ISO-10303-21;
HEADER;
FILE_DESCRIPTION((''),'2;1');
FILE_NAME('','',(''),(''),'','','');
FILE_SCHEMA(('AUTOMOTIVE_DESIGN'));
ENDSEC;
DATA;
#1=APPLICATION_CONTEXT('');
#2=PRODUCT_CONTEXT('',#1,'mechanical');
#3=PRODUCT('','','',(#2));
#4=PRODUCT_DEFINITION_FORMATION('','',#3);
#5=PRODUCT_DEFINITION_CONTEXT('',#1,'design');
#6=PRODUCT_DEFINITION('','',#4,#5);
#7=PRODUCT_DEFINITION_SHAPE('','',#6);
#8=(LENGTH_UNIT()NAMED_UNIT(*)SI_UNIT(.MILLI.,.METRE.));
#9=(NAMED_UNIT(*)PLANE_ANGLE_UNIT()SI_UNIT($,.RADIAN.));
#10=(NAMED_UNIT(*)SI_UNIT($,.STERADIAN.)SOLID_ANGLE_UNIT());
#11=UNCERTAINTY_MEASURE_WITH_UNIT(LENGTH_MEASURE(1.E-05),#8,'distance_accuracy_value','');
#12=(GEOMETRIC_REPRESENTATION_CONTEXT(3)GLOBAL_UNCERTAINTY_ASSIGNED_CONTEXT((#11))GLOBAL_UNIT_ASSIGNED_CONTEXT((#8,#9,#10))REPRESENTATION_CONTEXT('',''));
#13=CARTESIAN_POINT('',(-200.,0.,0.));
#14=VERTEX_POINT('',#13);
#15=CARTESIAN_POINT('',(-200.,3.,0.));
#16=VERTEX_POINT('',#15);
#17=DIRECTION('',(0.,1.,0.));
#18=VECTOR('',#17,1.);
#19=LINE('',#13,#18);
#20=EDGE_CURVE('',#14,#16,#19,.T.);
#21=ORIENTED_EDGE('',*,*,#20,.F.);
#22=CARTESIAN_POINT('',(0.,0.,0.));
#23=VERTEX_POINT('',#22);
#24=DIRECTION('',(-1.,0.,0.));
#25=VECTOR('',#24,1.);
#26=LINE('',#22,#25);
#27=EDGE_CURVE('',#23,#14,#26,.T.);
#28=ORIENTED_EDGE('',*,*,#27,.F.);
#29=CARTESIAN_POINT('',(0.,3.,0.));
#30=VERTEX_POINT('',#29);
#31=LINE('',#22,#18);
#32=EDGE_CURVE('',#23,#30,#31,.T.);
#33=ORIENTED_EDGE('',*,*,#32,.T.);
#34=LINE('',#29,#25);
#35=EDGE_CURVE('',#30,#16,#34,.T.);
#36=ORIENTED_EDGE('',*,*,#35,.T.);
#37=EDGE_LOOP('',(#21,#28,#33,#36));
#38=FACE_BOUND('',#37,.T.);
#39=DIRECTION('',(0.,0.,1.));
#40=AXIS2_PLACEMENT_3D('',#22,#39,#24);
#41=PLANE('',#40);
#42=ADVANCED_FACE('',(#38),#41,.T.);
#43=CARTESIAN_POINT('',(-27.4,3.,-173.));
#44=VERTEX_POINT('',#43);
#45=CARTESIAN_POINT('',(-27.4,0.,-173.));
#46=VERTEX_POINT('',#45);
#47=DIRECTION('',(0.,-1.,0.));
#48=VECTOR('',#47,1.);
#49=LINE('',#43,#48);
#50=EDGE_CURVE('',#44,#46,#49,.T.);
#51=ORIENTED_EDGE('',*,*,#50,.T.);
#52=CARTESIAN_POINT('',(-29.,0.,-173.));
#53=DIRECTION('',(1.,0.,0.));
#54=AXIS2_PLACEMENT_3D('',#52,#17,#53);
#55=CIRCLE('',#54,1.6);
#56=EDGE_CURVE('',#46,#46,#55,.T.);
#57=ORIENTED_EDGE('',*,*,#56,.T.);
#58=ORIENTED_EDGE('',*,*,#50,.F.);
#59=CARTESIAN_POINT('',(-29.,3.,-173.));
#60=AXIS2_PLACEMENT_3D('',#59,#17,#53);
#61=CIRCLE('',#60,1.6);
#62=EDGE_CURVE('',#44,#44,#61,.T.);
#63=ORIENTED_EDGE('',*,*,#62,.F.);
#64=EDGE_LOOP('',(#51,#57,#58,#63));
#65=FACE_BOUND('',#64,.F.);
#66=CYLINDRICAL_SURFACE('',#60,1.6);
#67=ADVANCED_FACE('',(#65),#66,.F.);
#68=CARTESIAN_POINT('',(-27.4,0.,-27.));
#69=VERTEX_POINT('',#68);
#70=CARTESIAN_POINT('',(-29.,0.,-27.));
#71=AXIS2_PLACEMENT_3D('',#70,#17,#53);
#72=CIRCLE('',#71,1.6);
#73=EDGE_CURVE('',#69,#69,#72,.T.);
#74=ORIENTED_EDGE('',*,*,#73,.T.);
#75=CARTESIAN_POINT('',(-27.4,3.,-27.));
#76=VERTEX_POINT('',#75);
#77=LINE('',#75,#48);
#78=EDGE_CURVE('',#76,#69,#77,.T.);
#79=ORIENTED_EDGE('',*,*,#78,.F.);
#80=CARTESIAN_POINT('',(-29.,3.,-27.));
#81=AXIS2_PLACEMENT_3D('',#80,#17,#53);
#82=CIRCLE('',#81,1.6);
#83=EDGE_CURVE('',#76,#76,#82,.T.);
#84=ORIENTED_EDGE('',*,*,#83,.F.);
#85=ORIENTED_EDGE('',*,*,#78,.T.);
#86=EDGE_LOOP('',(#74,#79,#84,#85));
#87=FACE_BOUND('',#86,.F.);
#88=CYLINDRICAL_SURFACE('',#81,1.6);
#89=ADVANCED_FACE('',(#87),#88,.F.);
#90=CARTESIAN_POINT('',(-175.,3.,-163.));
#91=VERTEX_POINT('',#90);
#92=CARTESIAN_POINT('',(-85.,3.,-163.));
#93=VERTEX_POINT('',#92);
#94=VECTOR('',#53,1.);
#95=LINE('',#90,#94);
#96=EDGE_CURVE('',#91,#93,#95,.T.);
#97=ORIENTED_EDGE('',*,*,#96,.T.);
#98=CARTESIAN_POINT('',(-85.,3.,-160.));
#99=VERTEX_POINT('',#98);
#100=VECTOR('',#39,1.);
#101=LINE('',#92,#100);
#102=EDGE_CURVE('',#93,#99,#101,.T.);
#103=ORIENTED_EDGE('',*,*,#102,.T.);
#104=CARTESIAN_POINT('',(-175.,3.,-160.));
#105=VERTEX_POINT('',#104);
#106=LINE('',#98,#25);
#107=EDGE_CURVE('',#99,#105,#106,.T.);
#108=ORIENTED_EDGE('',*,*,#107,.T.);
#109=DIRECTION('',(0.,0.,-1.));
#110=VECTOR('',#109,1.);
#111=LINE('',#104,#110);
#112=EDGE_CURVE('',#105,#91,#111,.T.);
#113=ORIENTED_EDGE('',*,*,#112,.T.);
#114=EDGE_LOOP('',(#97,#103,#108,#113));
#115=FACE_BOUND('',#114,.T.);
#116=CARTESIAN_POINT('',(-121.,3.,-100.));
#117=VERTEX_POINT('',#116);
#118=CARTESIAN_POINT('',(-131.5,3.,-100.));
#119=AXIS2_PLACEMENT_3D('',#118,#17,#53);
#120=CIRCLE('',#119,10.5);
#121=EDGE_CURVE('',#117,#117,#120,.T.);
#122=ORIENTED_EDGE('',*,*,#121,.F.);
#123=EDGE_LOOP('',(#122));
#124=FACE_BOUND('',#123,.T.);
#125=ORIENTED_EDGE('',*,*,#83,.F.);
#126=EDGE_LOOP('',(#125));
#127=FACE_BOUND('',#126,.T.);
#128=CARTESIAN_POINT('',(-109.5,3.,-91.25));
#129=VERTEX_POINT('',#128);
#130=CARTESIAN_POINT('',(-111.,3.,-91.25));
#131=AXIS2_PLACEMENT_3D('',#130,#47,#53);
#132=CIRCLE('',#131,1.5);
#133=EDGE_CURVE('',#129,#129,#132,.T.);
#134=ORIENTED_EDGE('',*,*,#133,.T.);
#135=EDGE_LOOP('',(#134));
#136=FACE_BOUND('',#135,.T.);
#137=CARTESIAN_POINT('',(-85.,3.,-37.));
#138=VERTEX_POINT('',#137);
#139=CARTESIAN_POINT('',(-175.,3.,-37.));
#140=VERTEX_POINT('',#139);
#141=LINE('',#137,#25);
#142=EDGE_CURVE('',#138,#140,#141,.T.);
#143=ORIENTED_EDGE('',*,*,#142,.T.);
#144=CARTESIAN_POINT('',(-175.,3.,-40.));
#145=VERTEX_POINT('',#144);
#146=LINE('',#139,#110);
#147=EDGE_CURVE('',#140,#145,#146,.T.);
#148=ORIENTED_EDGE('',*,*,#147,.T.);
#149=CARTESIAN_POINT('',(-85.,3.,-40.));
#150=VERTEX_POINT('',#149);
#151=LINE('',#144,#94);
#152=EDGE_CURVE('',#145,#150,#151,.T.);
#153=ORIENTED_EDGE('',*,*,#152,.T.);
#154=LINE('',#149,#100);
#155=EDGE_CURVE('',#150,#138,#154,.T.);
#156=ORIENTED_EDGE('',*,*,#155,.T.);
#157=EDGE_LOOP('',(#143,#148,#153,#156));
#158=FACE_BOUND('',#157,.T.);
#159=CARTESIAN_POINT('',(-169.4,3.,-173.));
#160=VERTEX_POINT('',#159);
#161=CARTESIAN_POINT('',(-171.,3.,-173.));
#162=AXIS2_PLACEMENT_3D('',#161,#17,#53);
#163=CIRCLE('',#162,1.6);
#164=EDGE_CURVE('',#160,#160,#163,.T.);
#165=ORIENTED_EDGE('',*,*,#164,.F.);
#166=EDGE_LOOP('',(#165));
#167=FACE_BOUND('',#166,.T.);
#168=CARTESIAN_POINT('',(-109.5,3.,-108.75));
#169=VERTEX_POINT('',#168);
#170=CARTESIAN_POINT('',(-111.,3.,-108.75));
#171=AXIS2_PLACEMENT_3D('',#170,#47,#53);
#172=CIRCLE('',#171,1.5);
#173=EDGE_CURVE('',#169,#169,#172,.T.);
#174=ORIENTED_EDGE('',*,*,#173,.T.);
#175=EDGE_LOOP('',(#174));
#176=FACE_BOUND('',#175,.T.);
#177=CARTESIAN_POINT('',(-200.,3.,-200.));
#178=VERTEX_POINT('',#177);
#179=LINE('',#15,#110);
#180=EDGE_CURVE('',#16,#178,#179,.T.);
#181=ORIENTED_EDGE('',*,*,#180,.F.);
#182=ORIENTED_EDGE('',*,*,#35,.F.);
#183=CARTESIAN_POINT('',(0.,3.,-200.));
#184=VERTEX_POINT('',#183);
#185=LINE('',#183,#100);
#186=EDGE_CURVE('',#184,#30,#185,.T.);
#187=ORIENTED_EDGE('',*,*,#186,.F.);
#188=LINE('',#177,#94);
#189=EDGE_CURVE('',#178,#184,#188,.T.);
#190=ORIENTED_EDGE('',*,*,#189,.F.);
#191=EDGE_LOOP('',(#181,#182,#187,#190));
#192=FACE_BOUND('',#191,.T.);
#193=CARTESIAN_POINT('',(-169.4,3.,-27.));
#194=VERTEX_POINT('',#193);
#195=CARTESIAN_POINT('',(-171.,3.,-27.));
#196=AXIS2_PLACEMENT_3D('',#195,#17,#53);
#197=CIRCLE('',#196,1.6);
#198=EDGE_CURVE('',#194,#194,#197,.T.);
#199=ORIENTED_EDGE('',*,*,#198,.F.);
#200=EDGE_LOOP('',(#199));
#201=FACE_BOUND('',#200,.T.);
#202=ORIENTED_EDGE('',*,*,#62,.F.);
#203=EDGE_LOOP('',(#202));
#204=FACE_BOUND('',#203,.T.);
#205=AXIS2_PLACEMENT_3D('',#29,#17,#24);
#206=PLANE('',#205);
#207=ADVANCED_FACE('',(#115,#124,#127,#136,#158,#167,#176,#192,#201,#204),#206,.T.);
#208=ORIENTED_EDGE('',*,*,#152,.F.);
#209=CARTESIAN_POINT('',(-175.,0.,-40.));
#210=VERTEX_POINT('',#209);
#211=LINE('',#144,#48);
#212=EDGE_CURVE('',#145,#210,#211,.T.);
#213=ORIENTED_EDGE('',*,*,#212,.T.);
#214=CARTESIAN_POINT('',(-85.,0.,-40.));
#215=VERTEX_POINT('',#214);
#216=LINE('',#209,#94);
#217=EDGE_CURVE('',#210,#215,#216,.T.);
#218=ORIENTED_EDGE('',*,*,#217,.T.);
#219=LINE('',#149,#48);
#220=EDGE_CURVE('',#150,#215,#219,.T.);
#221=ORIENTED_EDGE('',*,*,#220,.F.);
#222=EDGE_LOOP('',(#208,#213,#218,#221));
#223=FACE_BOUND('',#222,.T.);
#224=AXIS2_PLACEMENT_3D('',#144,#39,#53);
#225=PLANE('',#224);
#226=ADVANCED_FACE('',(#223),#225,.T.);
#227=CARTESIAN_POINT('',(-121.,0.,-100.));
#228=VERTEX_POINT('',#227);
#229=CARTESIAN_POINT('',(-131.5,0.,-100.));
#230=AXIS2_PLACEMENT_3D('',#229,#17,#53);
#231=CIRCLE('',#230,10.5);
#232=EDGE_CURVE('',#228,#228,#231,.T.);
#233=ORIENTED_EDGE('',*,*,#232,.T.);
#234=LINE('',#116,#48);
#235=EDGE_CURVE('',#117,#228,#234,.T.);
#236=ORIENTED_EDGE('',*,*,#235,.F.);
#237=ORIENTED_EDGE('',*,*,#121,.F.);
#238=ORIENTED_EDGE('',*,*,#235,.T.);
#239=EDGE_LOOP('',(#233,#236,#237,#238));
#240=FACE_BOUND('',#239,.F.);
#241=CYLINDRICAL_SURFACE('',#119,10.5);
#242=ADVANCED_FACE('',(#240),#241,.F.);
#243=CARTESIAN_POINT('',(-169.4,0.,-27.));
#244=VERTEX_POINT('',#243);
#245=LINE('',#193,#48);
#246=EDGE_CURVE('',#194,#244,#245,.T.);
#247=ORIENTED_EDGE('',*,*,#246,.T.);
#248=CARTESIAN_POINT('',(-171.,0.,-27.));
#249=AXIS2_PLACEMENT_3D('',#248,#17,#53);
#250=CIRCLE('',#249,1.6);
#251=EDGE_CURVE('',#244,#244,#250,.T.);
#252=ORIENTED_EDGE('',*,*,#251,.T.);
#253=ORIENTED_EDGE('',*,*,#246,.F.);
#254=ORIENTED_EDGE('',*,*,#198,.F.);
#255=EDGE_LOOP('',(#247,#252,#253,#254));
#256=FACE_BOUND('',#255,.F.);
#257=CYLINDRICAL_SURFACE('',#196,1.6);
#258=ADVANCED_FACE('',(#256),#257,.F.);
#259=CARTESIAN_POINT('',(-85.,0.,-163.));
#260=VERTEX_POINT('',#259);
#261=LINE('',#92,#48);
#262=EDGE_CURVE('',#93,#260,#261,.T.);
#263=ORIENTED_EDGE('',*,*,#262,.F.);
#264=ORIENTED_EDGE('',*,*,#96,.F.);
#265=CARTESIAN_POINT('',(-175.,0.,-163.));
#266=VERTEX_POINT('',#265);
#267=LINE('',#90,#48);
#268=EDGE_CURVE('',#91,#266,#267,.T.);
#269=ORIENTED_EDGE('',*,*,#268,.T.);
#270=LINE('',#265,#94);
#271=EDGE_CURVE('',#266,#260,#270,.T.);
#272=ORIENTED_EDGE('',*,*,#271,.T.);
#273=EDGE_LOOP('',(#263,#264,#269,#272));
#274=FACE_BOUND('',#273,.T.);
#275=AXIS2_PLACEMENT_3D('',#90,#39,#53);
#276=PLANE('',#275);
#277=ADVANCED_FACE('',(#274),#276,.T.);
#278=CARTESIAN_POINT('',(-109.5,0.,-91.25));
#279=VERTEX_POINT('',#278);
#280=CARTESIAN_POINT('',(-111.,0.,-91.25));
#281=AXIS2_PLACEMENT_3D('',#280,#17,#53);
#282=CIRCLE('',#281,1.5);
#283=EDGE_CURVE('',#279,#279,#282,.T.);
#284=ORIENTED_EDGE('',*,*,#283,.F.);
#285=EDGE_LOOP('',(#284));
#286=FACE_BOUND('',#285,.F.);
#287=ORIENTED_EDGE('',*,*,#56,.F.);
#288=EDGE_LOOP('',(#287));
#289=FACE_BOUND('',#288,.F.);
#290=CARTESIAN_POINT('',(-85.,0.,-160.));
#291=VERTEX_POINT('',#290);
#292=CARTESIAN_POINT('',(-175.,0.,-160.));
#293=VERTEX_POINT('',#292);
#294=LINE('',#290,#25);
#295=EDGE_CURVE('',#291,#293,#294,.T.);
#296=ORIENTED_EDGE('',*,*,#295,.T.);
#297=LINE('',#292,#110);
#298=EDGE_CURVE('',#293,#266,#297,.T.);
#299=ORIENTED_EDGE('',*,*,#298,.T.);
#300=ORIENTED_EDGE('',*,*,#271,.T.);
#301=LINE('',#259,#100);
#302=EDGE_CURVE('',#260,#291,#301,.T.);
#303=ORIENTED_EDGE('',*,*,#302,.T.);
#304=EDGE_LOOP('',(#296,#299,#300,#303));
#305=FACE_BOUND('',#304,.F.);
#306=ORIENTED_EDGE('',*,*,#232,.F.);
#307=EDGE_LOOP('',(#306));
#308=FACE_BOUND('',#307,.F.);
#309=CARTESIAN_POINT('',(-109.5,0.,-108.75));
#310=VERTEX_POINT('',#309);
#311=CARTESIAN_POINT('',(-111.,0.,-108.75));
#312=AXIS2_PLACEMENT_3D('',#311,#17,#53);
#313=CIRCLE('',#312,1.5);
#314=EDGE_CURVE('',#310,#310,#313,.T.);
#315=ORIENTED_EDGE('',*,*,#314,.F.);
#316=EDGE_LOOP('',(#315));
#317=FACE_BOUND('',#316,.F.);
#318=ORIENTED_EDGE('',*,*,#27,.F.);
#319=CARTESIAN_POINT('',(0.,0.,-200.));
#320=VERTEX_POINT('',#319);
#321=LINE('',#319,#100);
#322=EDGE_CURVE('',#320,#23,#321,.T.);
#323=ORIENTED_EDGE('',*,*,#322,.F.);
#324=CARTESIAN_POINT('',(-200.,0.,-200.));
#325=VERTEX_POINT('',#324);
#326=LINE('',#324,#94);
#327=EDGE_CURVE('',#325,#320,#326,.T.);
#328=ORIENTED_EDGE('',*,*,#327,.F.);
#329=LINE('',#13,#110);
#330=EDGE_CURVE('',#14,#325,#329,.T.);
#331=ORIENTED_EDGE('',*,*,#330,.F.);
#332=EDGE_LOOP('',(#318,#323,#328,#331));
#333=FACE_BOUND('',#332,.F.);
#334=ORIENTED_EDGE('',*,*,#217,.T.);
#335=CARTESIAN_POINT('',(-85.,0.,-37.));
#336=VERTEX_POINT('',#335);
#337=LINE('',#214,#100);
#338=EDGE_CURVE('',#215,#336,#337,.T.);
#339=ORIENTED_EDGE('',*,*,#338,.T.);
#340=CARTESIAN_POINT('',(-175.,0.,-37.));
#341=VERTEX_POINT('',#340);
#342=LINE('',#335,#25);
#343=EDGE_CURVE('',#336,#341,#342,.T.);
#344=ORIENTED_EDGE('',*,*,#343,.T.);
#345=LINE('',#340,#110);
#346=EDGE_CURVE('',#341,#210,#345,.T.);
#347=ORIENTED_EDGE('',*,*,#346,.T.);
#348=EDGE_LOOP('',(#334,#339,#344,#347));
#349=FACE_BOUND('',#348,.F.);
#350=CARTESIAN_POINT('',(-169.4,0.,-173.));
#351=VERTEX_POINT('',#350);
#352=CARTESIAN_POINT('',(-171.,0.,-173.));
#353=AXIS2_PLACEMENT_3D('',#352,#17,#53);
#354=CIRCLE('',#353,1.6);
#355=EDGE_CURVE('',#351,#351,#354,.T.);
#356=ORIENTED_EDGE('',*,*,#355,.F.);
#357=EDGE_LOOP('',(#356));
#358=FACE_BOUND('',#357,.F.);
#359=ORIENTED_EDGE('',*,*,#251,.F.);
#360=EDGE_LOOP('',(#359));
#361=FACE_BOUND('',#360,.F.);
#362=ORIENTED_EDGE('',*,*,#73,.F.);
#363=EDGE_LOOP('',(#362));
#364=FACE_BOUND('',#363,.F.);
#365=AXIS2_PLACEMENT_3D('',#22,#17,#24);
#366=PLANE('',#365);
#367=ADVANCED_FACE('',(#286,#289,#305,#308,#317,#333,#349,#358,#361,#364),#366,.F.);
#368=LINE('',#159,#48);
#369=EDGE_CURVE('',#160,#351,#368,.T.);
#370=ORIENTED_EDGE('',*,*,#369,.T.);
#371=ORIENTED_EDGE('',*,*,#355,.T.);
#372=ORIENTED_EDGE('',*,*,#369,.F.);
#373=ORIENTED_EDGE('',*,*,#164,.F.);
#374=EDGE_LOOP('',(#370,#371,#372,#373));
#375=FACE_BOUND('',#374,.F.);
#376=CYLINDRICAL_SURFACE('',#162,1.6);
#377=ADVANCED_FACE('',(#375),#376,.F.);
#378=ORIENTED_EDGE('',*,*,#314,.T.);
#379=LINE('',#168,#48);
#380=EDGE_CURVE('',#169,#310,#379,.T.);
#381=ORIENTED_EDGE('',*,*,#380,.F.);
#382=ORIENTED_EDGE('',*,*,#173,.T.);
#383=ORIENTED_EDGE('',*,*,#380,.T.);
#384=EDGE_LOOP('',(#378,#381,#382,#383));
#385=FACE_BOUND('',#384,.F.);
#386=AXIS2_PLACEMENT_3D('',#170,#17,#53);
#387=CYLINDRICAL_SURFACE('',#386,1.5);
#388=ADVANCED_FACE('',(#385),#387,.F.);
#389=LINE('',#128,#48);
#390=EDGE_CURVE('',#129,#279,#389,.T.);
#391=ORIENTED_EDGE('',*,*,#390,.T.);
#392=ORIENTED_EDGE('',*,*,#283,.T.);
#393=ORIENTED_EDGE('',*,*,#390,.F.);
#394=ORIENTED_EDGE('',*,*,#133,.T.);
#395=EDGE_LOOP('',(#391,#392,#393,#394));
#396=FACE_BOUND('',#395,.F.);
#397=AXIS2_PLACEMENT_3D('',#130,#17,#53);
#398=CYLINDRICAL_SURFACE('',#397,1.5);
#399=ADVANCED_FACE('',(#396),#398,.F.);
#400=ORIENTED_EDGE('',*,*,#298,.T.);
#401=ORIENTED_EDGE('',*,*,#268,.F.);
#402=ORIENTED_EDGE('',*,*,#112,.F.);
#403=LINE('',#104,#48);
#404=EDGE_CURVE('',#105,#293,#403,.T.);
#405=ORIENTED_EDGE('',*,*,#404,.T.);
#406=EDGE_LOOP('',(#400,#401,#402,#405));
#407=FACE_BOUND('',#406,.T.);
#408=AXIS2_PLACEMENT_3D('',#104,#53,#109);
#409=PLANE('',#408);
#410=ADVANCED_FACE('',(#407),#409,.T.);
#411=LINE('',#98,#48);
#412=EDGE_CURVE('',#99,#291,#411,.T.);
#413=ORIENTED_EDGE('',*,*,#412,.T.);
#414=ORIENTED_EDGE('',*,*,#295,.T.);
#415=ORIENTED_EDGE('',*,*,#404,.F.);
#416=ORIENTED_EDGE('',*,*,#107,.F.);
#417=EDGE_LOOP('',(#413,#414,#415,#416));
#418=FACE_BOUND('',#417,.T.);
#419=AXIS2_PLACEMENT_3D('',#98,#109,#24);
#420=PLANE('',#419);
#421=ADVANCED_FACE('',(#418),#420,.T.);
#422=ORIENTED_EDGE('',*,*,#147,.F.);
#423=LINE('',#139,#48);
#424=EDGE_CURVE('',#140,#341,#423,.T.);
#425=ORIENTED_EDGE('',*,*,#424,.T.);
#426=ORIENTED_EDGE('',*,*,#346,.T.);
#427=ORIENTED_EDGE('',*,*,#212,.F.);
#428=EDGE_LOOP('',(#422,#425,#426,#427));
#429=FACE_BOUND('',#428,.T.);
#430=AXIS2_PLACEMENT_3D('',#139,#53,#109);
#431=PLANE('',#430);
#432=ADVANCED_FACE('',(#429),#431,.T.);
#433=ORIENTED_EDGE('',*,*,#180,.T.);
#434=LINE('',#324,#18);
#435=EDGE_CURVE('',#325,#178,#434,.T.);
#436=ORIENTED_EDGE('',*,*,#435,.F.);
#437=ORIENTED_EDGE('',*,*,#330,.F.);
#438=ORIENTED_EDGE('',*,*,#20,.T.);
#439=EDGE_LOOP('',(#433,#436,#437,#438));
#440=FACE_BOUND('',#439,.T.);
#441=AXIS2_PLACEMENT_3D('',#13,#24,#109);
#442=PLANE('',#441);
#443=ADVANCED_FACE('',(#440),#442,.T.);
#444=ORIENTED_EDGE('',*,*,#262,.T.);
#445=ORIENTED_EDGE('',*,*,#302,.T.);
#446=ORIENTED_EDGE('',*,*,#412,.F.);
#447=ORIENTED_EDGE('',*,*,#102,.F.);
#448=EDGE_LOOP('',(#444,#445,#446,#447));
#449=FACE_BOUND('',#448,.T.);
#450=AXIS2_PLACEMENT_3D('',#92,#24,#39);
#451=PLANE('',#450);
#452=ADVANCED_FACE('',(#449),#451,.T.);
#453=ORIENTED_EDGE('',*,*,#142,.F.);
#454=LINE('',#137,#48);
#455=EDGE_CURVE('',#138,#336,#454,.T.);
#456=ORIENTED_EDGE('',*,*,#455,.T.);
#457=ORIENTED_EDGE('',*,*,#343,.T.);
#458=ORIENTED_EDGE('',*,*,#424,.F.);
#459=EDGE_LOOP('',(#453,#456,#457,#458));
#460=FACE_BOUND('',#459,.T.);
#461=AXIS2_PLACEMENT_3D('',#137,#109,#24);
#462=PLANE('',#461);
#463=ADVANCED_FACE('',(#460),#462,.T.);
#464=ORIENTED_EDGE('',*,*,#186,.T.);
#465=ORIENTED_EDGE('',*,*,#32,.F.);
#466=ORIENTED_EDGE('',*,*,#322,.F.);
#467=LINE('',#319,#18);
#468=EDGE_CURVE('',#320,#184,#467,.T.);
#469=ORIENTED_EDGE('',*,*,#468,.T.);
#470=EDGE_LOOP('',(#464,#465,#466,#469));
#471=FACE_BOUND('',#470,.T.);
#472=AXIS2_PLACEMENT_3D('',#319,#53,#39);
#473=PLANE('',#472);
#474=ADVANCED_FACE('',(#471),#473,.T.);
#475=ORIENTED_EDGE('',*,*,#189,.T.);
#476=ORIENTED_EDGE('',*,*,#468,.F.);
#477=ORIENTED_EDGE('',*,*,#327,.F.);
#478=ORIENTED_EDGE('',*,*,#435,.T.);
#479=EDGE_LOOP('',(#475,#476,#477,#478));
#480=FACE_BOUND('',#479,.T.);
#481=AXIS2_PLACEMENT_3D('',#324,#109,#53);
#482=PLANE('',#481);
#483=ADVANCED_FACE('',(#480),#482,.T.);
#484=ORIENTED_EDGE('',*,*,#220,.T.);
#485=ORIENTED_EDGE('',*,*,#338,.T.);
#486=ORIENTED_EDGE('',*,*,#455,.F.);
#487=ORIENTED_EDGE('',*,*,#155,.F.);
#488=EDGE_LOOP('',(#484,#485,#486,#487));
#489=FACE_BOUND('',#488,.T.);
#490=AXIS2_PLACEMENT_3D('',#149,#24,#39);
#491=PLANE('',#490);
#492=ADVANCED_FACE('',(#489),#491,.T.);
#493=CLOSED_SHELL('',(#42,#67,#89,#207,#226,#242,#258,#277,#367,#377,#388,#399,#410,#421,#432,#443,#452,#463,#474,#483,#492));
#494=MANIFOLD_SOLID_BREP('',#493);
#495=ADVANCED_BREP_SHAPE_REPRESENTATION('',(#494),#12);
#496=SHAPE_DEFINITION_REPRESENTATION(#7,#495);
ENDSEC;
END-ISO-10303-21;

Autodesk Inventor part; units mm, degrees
ref_plane "YZ Plane" through (0, 0, 0) normal (1, 0, 0) x (0, 1, 0)
ref_plane "XZ Plane" through (0, 0, 0) normal (0, 1, 0) x (-1, 0, 0)
ref_plane "XY Plane" through (0, 0, 0) normal (0, 0, 1) x (1, 0, 0)
sketch "Sketch1" plane through (0, 0, 0) normal (0, 1, 0) x (-1, 0, 0)
  line L0 (0, 0) -> (200, 0)
  line L1 (200, 0) -> (200, -200)
  line L2 (200, -200) -> (0, -200)
  line L3 (0, -200) -> (0, 0)
  dimension "d0" = 200
  dimension "d1" = 200
extrude "Extrusion1" add sketch "Sketch1" along normal blind 3
sketch "Sketch4" plane through (0, 3, 0) normal (0, 1, 0) x (1, 0, 0)
  line L0 (-175, 37) -> (-175, 40)
  line L1 (-175, 40) -> (-85, 40)
  line L2 (-85, 40) -> (-85, 37)
  line L3 (-85, 37) -> (-175, 37)
  line L4 (-190, 6) -> (-10, 6) projected
  line L5 (-200, 200) -> (-200, 0) projected
  line L6 (-175, 160) -> (-175, 163)
  line L7 (-175, 163) -> (-85, 163)
  line L8 (-85, 163) -> (-85, 160)
  line L9 (-85, 160) -> (-175, 160)
  line L10 (0, 0) -> (0, 200) projected
  line L11 (-10, 194) -> (-190, 194) projected
  dimension "d24" = 3
  dimension "d25" = 90
  dimension "d26" = 31
  dimension "d27" = 25
  dimension "d28" = 3
  dimension "d29" = 120
  dimension "d30" = 25
  dimension "d31" = 85
  dimension "d52" = 31
extrude "Extrusion4" cut sketch "Sketch4" against normal blind 3
sketch "Sketch5" plane through (0, 3, 0) normal (0, 1, 0) x (1, 0, 0)
  circle A0 centre (-131.5, 100) radius 10.5
  line L0 (-200, 200) -> (-200, 0) projected
  line L1 (-175, 40) -> (-85, 40) projected
  line L2 (-175, 160) -> (-175, 163) projected
  line L3 (-85, 160) -> (-175, 160) projected
  point P0 (0, 0)
  dimension "d34" = 21
  dimension "d37" = 60
  dimension "d40" = 43.5
  dimension "d53" = 60
extrude "Extrusion5" cut sketch "Sketch5" against normal blind 10
sketch "Sketch8" plane through (0, 3, 0) normal (0, 1, 0) x (1, 0, 0)
  circle A0 centre (-131.5, 100) radius 10.5 projected
  point P0 (0, 0)
sketch "Sketch11" plane through (0, 3, 0) normal (0, 1, 0) x (1, 0, 0)
  line L0 (-111, 108.75) -> (-111, 91.25)
  circle A0 centre (-131.5, 100) radius 10.5 projected
  circle A1 centre (-111, 108.75) radius 1.5
  circle A2 centre (-111, 91.25) radius 1.5
  point P0 (0, 0)
  dimension "d60" = 20.5
  dimension "d61" = 3
  dimension "d62" = 3
  dimension "d63" = 17.5
  dimension "d64" = 8.75
extrude "Extrusion8" cut sketch "Sketch11" against normal blind 10 contours A2 | A1
sketch "Sketch12" plane through (0, 3, 0) normal (0, 1, 0) x (1, 0, 0)
  circle A0 centre (-171, 27) radius 1.6
  line L0 (-194, 190) -> (-194, 10) projected
  line L1 (-190, 6) -> (-10, 6) projected
  circle A1 centre (-171, 173) radius 1.6
  line L2 (-10, 194) -> (-190, 194) projected
  circle A2 centre (-29, 27) radius 1.6
  line L3 (-6, 10) -> (-6, 190) projected
  circle A3 centre (-29, 173) radius 1.6
  point P0 (0, 0)
  dimension "d67" = 3.2
  dimension "d68" = 23
  dimension "d69" = 21
  dimension "d70" = 3.2
  dimension "d71" = 21
  dimension "d72" = 23
  dimension "d73" = 3.2
  dimension "d74" = 21
  dimension "d75" = 23
  dimension "d76" = 3.2
  dimension "d77" = 21
  dimension "d78" = 23
extrude "Extrusion9" cut sketch "Sketch12" against normal blind 10
equation "\"d26\" = d52"
equation "\"d37\" = d53"
properties part number "Part 1 base"
